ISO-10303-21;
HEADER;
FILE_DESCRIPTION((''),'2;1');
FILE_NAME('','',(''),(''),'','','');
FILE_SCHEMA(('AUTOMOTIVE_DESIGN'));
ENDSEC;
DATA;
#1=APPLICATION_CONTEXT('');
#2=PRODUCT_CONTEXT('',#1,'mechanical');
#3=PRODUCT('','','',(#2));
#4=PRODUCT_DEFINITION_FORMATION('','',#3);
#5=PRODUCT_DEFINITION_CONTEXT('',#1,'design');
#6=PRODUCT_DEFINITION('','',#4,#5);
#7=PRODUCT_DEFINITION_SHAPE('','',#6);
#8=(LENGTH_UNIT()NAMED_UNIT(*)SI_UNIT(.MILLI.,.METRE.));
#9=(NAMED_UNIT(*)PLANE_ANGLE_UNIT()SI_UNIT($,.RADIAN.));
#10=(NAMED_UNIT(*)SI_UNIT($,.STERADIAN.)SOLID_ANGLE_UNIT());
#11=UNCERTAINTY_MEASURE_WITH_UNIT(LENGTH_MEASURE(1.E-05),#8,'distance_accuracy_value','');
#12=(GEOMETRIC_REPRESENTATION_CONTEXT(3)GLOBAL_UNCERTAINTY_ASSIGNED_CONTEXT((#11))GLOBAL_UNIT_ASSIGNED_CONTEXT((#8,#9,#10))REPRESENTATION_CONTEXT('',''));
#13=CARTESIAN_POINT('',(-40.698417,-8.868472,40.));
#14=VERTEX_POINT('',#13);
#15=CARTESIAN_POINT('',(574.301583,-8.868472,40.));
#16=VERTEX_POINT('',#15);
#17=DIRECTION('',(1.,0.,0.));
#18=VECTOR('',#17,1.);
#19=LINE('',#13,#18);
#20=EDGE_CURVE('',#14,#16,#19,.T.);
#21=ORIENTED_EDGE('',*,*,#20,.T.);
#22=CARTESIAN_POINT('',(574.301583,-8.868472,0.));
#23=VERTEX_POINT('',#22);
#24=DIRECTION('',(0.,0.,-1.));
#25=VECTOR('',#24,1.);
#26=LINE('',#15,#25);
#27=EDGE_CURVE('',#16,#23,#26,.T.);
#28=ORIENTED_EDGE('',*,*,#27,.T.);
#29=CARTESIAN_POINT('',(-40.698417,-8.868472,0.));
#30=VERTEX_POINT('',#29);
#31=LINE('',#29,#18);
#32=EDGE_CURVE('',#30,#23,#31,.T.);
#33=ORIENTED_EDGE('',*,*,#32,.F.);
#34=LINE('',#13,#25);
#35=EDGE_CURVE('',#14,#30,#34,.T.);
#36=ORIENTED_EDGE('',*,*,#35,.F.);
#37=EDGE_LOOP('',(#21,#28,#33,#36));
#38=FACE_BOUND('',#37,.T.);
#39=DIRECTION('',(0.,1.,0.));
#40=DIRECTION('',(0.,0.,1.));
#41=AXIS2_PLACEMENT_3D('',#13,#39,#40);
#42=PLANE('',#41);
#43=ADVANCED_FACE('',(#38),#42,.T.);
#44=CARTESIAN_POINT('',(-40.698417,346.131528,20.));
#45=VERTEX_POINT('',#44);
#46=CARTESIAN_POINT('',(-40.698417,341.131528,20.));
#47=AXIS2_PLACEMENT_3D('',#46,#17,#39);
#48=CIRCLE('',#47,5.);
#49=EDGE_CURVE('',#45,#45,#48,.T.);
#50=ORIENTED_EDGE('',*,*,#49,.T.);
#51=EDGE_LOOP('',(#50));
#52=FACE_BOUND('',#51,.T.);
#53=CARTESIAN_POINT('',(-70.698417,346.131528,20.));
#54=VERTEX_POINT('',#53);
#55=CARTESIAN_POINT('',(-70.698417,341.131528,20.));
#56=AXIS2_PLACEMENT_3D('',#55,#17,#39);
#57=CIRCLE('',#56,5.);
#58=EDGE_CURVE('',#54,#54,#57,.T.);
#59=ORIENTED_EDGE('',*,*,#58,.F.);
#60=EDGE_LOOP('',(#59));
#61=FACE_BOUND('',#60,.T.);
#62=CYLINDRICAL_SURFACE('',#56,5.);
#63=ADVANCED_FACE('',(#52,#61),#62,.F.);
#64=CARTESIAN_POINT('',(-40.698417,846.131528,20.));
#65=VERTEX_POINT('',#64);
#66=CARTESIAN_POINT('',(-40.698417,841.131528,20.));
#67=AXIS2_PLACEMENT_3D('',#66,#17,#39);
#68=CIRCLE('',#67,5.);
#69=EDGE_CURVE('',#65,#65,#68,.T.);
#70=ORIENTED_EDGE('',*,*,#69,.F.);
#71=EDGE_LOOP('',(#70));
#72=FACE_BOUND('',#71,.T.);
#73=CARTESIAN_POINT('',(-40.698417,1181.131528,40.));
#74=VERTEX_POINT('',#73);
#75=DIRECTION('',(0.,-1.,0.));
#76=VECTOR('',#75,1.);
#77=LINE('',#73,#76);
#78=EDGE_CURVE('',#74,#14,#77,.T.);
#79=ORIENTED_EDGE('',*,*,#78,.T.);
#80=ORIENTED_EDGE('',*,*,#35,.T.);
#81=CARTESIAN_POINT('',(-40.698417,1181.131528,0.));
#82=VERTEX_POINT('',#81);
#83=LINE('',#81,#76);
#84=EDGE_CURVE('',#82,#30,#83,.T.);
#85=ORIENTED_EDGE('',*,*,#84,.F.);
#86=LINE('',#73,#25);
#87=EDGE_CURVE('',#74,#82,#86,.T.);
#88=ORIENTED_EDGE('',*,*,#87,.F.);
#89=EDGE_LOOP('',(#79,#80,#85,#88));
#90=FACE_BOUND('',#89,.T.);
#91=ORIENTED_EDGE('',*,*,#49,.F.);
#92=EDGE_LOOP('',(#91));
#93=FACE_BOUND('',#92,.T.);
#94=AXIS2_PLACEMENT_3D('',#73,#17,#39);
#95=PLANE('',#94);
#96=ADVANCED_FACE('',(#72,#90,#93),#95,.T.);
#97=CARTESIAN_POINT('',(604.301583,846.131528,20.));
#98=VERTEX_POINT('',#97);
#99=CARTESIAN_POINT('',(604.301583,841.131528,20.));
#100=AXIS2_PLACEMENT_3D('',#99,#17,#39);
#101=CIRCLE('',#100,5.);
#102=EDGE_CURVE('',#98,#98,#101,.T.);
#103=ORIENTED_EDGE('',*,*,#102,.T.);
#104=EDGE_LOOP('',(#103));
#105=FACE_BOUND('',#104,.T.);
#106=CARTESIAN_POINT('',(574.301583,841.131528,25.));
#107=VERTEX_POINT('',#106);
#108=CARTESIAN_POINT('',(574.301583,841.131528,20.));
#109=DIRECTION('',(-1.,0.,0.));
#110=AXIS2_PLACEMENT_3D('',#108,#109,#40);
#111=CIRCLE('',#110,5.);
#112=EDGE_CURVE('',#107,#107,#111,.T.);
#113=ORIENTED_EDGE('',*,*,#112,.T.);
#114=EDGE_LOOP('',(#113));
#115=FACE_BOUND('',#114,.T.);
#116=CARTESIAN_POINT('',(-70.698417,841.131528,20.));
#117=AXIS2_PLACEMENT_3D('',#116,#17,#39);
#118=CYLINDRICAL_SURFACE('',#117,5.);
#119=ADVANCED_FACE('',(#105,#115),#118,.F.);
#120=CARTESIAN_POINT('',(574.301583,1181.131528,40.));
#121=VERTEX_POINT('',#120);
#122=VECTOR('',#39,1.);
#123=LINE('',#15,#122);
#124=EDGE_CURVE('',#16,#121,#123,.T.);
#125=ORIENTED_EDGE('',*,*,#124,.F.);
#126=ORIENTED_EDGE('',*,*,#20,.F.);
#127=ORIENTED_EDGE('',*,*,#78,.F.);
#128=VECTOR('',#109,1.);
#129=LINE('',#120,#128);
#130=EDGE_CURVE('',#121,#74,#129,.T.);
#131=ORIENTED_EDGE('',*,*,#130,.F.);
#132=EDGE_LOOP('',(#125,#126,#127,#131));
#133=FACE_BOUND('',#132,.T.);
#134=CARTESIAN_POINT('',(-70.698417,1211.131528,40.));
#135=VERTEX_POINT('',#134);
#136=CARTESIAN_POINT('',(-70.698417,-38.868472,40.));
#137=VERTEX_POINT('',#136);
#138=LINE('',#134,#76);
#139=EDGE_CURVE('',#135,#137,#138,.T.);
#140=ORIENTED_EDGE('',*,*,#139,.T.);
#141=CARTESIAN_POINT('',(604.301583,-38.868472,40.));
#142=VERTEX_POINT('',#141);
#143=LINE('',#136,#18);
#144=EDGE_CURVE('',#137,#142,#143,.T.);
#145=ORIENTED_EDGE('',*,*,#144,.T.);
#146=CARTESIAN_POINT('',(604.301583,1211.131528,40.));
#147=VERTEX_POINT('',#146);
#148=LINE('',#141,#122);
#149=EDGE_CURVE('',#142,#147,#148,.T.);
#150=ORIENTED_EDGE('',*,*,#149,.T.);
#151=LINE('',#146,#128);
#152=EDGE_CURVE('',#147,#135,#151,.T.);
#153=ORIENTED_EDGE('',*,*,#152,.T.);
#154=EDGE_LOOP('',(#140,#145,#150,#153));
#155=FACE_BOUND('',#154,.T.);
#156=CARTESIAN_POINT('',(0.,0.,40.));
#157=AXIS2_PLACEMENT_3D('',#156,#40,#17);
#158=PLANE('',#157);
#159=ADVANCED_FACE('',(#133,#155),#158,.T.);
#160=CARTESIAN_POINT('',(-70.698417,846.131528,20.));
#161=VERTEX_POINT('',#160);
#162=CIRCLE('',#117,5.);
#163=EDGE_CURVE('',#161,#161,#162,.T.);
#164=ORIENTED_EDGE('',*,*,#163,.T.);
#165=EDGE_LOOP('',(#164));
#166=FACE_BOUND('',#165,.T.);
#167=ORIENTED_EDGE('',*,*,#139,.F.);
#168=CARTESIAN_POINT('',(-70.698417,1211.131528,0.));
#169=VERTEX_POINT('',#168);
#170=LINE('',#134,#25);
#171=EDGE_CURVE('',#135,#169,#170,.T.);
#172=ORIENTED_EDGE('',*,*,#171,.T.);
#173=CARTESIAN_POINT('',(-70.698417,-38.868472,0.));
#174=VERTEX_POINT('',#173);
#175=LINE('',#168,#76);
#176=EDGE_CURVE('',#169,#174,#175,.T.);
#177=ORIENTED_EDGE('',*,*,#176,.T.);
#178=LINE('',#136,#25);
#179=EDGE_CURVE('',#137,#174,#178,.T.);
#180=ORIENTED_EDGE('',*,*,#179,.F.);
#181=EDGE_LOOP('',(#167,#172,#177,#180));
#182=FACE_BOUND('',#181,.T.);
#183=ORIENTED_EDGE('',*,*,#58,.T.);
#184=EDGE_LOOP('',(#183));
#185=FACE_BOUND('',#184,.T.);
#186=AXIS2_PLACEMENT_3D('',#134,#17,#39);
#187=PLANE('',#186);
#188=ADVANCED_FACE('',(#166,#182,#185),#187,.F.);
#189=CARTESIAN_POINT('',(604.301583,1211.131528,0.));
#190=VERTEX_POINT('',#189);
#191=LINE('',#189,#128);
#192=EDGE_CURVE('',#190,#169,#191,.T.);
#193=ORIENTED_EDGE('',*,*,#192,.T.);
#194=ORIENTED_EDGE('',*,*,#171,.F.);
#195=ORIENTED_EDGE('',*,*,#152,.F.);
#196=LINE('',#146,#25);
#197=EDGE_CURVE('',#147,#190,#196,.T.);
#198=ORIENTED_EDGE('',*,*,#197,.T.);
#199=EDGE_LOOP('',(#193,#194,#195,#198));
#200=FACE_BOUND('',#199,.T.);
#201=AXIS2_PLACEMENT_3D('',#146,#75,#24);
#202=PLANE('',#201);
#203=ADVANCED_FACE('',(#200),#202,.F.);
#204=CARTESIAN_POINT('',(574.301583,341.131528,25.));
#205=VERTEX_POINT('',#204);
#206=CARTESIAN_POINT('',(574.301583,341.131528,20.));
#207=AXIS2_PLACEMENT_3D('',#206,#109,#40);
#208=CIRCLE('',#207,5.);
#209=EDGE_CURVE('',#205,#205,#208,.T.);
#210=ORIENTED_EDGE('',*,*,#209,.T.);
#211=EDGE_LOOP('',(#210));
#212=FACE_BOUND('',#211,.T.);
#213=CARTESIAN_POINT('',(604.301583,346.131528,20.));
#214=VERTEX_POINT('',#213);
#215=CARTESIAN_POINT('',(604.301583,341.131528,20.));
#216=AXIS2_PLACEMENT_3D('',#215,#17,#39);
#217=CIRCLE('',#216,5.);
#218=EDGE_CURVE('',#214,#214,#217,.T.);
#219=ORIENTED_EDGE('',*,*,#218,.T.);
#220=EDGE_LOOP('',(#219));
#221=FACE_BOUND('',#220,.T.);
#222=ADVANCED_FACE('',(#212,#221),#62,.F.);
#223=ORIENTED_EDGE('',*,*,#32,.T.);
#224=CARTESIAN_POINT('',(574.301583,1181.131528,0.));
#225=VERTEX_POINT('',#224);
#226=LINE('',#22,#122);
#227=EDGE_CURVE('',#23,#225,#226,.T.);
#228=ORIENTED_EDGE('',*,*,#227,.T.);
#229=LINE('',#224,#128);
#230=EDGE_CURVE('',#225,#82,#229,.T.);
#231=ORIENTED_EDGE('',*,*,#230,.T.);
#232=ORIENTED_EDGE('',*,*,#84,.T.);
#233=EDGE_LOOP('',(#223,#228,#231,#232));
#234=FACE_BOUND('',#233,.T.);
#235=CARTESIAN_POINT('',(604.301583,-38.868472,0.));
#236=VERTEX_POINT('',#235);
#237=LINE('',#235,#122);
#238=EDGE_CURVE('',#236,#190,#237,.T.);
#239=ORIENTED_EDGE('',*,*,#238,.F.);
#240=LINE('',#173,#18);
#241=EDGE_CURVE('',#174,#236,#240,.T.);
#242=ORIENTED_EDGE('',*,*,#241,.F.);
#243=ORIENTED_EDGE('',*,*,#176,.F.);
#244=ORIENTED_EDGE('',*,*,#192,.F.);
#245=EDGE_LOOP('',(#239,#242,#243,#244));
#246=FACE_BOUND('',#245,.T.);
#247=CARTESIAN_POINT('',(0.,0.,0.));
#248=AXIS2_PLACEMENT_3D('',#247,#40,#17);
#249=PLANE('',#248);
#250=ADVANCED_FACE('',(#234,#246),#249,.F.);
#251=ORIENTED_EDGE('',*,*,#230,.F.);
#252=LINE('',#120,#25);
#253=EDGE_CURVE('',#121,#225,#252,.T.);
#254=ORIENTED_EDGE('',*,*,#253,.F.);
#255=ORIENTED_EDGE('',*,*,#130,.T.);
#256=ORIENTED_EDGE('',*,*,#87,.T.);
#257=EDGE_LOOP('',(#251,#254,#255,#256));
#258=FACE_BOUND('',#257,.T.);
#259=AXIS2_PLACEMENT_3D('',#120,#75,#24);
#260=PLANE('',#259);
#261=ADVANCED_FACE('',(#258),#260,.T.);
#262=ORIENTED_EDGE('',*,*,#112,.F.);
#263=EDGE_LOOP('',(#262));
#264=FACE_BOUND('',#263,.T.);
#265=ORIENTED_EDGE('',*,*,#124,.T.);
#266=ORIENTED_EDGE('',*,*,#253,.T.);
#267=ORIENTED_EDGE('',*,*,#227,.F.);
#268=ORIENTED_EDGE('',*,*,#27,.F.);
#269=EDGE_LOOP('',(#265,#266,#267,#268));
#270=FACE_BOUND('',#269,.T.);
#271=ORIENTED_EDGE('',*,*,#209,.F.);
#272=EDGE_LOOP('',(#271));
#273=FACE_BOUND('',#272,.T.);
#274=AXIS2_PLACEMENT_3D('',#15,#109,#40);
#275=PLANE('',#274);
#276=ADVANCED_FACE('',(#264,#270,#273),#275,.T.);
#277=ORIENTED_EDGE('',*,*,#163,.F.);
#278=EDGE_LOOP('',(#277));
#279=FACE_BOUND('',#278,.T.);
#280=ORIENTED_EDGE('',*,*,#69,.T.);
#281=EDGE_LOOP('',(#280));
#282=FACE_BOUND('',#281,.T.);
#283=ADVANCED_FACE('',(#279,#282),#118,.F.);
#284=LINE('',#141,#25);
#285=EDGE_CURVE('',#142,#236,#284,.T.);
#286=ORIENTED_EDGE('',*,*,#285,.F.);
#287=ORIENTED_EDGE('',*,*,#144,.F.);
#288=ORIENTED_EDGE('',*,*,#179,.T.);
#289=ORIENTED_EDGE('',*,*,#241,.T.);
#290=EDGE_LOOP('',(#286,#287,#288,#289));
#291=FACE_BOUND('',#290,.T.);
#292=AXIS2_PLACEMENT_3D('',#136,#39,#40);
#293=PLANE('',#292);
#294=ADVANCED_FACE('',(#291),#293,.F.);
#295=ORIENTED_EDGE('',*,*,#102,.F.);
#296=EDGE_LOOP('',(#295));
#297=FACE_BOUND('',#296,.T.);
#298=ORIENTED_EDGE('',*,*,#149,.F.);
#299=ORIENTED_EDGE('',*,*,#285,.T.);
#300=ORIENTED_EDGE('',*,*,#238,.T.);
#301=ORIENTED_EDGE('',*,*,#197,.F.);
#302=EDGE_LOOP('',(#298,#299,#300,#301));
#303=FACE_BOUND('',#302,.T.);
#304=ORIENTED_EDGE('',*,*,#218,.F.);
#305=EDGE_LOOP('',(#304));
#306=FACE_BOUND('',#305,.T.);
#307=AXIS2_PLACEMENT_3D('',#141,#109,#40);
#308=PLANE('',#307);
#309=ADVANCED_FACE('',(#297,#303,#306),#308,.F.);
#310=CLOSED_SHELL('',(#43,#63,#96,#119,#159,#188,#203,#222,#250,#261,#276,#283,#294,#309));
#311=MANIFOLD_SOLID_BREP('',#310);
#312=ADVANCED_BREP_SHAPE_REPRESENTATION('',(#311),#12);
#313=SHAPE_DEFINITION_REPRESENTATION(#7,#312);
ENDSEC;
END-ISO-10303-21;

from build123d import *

# Parameters (mm, degrees)
SKETCH_2_W          = 675
SKETCH_2_H          = 1250
SKETCH_2_W_2        = 615
SKETCH_2_H_2        = 1190
EXTRUDE_431_DEPTH   = 40
SKETCH_3_R          = 5
CUT_EXTRUDE_1_DEPTH = 676


with BuildPart() as part:
    # Эскиз2 → Extrude 431 (new body)
    with BuildSketch(Plane.XY):
        with Locations((266.801582525, 586.131528188)):
            Rectangle(SKETCH_2_W, SKETCH_2_H)
        with Locations((266.801582525, 586.131528188)):
            Rectangle(SKETCH_2_W_2, SKETCH_2_H_2, mode=Mode.SUBTRACT)
    extrude(amount=EXTRUDE_431_DEPTH)

    # Эскиз3 → Вырез-Вытянуть1 (cut, through all)
    with BuildSketch(Plane(origin=(604.301582525, 0, 0), x_dir=(0, 0, -1), z_dir=(1, 0, 0))):
        with Locations((-20, 841.131528188)):
            Circle(SKETCH_3_R)
        with Locations((-20, 341.131528188)):
            Circle(SKETCH_3_R)
    extrude(amount=-CUT_EXTRUDE_1_DEPTH, mode=Mode.SUBTRACT)


solid = part.part
